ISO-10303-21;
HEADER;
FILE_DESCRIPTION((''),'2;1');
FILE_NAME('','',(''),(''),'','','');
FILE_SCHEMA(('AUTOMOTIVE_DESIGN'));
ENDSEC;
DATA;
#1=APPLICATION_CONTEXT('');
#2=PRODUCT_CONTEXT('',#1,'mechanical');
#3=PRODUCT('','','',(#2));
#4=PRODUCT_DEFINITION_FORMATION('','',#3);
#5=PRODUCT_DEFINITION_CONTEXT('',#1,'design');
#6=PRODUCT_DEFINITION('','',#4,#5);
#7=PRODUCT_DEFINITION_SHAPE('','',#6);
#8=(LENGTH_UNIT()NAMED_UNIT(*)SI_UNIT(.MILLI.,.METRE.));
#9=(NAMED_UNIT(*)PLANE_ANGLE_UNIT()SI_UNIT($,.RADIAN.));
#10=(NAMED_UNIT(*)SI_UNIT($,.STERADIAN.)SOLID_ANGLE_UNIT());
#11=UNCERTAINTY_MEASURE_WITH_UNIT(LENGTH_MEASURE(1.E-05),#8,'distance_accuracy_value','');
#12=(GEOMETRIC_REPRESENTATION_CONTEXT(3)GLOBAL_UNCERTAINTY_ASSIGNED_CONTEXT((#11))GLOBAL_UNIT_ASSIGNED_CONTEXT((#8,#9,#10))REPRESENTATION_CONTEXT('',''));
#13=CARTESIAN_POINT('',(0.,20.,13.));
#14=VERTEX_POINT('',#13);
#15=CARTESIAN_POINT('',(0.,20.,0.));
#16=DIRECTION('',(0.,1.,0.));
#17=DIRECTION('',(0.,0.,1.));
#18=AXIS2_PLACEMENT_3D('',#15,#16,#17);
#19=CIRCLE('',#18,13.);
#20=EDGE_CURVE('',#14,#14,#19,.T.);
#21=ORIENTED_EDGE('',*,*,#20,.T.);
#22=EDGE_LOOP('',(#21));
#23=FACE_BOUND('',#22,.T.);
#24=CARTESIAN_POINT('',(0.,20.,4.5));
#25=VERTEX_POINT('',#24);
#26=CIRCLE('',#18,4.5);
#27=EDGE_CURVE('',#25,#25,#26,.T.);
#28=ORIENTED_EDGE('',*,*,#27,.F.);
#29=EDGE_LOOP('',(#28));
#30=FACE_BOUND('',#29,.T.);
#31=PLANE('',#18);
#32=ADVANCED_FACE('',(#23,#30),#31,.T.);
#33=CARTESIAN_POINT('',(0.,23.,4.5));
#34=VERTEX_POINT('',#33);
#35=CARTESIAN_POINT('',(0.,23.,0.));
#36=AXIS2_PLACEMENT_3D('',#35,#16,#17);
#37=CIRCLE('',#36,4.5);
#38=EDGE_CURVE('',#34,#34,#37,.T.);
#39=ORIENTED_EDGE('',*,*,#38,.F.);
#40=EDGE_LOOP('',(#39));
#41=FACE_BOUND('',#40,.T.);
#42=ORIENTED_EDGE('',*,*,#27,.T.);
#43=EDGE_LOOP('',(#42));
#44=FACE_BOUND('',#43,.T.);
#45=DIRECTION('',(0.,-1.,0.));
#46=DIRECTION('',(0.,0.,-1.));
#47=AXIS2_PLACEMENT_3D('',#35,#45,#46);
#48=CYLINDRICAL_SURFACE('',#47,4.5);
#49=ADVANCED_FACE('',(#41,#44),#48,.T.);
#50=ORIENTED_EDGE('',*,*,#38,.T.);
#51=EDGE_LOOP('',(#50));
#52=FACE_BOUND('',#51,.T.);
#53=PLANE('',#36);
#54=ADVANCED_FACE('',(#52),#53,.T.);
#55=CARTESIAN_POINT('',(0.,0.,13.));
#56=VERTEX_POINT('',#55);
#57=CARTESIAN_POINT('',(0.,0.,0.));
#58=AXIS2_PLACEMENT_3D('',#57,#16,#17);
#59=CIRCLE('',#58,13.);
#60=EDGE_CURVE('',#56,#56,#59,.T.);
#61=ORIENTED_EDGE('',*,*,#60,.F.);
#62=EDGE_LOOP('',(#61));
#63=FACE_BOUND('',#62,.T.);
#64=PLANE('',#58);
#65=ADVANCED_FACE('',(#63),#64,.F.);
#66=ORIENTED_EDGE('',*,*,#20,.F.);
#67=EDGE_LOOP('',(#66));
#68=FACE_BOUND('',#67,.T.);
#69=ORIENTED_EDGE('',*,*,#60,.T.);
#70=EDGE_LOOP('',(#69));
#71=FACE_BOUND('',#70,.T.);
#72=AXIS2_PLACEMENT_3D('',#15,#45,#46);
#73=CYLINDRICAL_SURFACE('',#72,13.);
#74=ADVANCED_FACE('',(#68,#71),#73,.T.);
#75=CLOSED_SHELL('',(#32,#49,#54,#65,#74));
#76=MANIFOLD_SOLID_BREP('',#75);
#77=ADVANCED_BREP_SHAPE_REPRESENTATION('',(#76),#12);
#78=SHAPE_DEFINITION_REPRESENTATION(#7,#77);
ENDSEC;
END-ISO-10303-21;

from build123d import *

# Parameters (mm, degrees)
SKETCH1_R           = 13
BOSS_EXTRUDE1_DEPTH = 20
SKETCH1_3_R         = 13
BOSS_EXTRUDE2_DEPTH = 20
SKETCH1_4_R         = 13
BOSS_EXTRUDE3_DEPTH = 20
SKETCH5_R           = 4.5
BOSS_EXTRUDE4_DEPTH = 3


with BuildPart() as part:
    # Sketch1 → Boss-Extrude1 (new body)
    with BuildSketch(Plane(origin=(0, 0, 0), x_dir=(1, 0, 0), z_dir=(0, 1, 0))):
        Circle(SKETCH1_R)
    extrude(amount=BOSS_EXTRUDE1_DEPTH)

    # Sketch1<3> → Boss-Extrude2 (add)
    with BuildSketch(Plane(origin=(0, 0, 0), x_dir=(1, 0, 0), z_dir=(0, 1, 0))):
        Circle(SKETCH1_3_R)
    extrude(amount=BOSS_EXTRUDE2_DEPTH)

    # Sketch1<4> → Boss-Extrude3 (add)
    with BuildSketch(Plane(origin=(0, 0, 0), x_dir=(1, 0, 0), z_dir=(0, 1, 0))):
        Circle(SKETCH1_4_R)
    extrude(amount=BOSS_EXTRUDE3_DEPTH)

    # Sketch5 → Boss-Extrude4 (add)
    with BuildSketch(Plane(origin=(0, 20, 0), x_dir=(1, 0, 0), z_dir=(0, 1, 0))):
        Circle(SKETCH5_R)
    extrude(amount=BOSS_EXTRUDE4_DEPTH)


solid = part.part
